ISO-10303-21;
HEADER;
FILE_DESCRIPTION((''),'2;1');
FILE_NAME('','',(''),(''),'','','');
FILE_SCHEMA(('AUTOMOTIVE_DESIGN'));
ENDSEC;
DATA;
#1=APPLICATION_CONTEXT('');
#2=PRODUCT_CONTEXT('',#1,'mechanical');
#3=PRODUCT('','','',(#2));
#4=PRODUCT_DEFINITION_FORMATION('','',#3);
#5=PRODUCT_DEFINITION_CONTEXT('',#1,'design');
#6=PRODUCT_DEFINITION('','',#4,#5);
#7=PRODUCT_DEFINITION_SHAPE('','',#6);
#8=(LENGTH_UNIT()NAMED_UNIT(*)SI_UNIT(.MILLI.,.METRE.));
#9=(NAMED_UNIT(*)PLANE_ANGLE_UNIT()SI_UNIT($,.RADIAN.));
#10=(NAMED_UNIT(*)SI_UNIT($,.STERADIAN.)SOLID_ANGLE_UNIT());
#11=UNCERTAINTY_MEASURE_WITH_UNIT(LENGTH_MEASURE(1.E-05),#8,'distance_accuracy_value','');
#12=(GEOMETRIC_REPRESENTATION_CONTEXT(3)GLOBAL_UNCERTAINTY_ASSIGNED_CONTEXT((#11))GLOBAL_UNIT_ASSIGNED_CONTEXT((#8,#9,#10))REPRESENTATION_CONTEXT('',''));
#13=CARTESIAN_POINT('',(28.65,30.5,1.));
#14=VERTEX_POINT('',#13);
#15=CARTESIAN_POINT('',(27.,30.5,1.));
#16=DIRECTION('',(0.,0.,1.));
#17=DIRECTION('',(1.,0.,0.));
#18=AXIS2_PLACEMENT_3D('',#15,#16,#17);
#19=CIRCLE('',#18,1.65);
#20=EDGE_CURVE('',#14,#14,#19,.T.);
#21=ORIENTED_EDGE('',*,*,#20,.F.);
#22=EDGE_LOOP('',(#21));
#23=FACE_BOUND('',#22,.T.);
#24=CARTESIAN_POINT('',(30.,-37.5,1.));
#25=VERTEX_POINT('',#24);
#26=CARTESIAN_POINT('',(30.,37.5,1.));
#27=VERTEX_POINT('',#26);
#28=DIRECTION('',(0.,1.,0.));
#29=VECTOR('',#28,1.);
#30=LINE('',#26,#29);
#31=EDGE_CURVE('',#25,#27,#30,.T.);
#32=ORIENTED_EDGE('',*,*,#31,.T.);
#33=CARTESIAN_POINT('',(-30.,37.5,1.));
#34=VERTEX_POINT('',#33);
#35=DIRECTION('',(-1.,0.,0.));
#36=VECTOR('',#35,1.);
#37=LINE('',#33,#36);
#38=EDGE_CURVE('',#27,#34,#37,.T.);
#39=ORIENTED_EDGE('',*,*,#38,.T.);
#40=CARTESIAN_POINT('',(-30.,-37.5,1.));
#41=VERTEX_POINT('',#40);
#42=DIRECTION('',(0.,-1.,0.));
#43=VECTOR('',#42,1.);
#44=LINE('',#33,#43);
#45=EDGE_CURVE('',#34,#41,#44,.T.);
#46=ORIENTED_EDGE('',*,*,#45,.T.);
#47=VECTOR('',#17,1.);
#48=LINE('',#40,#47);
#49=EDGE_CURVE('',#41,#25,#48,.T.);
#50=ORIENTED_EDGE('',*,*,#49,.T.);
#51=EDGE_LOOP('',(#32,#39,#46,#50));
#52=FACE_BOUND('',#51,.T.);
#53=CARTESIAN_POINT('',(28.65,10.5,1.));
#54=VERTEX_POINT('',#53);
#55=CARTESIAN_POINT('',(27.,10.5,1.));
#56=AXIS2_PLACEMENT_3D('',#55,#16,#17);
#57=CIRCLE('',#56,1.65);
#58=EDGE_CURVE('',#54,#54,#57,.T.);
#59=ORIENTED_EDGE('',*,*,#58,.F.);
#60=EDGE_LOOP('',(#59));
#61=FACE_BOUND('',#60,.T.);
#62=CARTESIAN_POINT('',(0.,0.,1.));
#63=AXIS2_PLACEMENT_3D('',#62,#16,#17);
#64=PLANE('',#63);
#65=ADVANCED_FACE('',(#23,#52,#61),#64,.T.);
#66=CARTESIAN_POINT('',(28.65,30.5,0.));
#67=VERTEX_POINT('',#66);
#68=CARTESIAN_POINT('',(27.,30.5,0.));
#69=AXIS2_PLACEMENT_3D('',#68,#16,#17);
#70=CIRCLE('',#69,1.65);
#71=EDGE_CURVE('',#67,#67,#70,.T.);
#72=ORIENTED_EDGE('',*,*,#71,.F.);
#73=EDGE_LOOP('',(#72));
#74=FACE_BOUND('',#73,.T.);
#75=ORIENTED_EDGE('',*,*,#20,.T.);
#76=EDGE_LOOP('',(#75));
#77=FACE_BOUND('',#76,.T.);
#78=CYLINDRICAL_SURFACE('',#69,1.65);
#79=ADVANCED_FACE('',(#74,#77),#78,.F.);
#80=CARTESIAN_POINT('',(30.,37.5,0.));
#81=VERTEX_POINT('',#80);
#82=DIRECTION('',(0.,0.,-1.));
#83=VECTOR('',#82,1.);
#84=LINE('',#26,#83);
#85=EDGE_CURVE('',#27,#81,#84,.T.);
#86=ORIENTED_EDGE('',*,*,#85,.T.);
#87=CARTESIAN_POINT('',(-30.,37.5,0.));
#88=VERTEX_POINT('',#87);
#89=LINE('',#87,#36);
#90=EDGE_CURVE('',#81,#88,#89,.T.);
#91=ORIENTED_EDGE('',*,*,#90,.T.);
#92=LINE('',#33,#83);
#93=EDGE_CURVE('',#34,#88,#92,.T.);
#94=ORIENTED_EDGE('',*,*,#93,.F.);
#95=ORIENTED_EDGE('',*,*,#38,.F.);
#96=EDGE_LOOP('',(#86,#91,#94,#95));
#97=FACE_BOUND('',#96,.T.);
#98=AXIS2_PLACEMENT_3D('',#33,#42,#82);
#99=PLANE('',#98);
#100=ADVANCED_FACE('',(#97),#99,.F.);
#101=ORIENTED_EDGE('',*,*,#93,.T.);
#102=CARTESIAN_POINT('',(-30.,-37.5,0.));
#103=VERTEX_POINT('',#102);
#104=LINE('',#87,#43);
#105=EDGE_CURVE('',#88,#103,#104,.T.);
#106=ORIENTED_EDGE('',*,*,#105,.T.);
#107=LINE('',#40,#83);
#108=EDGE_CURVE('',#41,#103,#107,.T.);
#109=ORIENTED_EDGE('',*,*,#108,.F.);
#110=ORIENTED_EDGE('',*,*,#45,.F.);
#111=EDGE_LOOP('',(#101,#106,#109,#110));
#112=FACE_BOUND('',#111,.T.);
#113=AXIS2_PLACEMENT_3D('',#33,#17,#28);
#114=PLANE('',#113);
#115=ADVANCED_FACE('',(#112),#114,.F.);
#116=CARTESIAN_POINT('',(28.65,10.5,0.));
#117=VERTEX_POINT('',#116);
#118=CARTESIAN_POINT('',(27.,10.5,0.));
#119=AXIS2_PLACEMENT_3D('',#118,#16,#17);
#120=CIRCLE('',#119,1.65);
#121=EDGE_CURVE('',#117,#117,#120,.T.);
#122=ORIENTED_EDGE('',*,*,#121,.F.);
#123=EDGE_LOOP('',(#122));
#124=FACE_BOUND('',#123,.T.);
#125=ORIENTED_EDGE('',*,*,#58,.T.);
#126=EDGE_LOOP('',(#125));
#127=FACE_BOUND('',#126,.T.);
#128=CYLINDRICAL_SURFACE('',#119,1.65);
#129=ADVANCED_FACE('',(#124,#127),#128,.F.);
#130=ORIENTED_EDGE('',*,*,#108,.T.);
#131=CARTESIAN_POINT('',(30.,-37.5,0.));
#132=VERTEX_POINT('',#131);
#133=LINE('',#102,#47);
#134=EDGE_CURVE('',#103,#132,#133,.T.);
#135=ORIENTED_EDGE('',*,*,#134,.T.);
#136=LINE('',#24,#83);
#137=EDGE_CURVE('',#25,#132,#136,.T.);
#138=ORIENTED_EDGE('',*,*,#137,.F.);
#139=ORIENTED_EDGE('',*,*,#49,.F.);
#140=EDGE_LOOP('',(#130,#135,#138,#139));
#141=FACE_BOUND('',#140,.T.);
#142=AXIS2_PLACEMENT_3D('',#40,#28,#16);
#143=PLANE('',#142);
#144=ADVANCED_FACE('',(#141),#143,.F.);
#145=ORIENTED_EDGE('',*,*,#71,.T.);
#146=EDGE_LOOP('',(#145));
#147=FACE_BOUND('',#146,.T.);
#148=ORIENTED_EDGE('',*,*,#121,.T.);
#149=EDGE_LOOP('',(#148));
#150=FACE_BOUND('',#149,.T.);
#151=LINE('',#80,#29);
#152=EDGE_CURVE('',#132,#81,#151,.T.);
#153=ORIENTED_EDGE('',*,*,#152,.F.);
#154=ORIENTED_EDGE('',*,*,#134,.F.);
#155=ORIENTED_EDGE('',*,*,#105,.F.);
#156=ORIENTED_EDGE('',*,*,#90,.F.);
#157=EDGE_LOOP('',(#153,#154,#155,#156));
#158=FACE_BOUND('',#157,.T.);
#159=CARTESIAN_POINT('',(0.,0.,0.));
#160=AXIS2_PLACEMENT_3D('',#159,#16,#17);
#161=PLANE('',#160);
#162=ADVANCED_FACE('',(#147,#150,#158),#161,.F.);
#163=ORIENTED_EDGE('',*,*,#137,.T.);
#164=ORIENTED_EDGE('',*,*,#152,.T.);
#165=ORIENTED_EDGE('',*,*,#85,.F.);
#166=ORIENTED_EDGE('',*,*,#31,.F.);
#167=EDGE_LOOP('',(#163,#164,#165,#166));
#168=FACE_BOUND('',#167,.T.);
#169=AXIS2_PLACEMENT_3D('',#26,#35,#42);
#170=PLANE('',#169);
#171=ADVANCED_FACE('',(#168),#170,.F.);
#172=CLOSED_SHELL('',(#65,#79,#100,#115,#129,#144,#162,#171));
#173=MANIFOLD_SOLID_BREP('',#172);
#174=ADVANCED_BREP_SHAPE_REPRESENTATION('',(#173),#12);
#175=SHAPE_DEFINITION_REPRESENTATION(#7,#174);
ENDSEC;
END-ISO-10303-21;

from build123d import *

# Parameters (mm, degrees)
SKETCH_1_W          = 60
SKETCH_1_H          = 75
EXTRUDE_1_DEPTH     = 1
SKETCH_3_R          = 1.65
CUT_EXTRUDE_1_DEPTH = 49.033842236


with BuildPart() as part:
    # 草图1 → 凸台-拉伸1 (new body)
    with BuildSketch(Plane.XY):
        Rectangle(SKETCH_1_W, SKETCH_1_H)
    extrude(amount=EXTRUDE_1_DEPTH)

    # 草图3 → 切除-拉伸1 (cut, through all)
    with BuildSketch(Plane.XY.offset(1)):
        with Locations((27, 30.5)):
            Circle(SKETCH_3_R)
        with Locations((27, 10.5)):
            Circle(SKETCH_3_R)
    extrude(amount=-CUT_EXTRUDE_1_DEPTH, mode=Mode.SUBTRACT)


solid = part.part
